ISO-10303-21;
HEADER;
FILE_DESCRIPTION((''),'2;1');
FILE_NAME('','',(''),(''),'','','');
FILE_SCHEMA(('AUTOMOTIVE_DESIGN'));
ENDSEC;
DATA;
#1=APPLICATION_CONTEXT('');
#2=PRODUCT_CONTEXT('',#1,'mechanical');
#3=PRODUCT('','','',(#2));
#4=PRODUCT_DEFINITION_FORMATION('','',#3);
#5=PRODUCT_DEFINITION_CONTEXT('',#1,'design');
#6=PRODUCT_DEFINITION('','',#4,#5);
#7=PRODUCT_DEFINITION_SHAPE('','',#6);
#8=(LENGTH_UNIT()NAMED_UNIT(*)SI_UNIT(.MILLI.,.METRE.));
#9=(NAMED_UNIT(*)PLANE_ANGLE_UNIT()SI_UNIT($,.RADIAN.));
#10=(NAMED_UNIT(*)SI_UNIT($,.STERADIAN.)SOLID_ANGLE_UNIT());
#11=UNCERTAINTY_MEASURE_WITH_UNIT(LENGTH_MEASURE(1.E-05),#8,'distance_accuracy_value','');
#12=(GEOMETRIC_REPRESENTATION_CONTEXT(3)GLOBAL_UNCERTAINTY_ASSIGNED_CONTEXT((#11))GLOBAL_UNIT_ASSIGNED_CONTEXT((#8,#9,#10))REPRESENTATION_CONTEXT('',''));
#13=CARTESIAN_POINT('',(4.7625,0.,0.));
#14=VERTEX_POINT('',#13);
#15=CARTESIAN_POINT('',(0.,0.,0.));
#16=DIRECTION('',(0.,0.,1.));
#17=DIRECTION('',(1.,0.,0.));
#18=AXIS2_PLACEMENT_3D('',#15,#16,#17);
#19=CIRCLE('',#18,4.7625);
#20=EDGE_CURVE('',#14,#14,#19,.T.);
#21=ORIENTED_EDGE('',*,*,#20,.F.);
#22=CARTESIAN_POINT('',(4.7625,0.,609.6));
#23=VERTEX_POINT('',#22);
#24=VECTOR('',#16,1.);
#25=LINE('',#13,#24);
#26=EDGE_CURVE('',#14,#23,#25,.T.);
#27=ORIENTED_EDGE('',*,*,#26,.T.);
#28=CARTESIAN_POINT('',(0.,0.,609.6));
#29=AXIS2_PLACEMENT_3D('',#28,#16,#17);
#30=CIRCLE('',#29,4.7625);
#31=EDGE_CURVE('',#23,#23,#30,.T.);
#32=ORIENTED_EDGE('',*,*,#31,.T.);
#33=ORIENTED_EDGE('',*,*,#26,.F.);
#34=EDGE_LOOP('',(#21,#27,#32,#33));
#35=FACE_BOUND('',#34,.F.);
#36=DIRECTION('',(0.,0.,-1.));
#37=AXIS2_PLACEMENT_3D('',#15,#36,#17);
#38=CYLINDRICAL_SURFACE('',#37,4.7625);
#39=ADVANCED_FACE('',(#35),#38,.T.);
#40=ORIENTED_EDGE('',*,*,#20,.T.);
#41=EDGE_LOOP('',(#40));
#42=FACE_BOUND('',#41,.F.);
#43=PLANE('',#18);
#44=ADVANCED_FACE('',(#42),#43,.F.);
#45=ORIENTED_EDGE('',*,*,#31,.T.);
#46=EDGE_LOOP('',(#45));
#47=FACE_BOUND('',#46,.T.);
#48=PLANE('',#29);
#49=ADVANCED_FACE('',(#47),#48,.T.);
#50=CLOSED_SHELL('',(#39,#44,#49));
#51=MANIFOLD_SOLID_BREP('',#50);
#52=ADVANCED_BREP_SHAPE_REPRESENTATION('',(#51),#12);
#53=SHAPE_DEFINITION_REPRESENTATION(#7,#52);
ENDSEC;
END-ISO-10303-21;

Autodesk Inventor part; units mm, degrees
ref_plane "YZ Plane" through (0, 0, 0) normal (1, 0, 0) x (0, 1, 0)
ref_plane "XZ Plane" through (0, 0, 0) normal (0, 1, 0) x (-1, 0, 0)
ref_plane "XY Plane" through (0, 0, 0) normal (0, 0, 1) x (1, 0, 0)
sketch "Sketch1" plane through (0, 0, 0) normal (0, 0, 1) x (1, 0, 0)
  circle A0 centre (0, 0) radius 4.7625
  dimension "d0" = 9.525
extrude "Extrusion1" add sketch "Sketch1" along normal blind 609.6
properties part number "Shooter Shaft" material "Steel, Carbon"
